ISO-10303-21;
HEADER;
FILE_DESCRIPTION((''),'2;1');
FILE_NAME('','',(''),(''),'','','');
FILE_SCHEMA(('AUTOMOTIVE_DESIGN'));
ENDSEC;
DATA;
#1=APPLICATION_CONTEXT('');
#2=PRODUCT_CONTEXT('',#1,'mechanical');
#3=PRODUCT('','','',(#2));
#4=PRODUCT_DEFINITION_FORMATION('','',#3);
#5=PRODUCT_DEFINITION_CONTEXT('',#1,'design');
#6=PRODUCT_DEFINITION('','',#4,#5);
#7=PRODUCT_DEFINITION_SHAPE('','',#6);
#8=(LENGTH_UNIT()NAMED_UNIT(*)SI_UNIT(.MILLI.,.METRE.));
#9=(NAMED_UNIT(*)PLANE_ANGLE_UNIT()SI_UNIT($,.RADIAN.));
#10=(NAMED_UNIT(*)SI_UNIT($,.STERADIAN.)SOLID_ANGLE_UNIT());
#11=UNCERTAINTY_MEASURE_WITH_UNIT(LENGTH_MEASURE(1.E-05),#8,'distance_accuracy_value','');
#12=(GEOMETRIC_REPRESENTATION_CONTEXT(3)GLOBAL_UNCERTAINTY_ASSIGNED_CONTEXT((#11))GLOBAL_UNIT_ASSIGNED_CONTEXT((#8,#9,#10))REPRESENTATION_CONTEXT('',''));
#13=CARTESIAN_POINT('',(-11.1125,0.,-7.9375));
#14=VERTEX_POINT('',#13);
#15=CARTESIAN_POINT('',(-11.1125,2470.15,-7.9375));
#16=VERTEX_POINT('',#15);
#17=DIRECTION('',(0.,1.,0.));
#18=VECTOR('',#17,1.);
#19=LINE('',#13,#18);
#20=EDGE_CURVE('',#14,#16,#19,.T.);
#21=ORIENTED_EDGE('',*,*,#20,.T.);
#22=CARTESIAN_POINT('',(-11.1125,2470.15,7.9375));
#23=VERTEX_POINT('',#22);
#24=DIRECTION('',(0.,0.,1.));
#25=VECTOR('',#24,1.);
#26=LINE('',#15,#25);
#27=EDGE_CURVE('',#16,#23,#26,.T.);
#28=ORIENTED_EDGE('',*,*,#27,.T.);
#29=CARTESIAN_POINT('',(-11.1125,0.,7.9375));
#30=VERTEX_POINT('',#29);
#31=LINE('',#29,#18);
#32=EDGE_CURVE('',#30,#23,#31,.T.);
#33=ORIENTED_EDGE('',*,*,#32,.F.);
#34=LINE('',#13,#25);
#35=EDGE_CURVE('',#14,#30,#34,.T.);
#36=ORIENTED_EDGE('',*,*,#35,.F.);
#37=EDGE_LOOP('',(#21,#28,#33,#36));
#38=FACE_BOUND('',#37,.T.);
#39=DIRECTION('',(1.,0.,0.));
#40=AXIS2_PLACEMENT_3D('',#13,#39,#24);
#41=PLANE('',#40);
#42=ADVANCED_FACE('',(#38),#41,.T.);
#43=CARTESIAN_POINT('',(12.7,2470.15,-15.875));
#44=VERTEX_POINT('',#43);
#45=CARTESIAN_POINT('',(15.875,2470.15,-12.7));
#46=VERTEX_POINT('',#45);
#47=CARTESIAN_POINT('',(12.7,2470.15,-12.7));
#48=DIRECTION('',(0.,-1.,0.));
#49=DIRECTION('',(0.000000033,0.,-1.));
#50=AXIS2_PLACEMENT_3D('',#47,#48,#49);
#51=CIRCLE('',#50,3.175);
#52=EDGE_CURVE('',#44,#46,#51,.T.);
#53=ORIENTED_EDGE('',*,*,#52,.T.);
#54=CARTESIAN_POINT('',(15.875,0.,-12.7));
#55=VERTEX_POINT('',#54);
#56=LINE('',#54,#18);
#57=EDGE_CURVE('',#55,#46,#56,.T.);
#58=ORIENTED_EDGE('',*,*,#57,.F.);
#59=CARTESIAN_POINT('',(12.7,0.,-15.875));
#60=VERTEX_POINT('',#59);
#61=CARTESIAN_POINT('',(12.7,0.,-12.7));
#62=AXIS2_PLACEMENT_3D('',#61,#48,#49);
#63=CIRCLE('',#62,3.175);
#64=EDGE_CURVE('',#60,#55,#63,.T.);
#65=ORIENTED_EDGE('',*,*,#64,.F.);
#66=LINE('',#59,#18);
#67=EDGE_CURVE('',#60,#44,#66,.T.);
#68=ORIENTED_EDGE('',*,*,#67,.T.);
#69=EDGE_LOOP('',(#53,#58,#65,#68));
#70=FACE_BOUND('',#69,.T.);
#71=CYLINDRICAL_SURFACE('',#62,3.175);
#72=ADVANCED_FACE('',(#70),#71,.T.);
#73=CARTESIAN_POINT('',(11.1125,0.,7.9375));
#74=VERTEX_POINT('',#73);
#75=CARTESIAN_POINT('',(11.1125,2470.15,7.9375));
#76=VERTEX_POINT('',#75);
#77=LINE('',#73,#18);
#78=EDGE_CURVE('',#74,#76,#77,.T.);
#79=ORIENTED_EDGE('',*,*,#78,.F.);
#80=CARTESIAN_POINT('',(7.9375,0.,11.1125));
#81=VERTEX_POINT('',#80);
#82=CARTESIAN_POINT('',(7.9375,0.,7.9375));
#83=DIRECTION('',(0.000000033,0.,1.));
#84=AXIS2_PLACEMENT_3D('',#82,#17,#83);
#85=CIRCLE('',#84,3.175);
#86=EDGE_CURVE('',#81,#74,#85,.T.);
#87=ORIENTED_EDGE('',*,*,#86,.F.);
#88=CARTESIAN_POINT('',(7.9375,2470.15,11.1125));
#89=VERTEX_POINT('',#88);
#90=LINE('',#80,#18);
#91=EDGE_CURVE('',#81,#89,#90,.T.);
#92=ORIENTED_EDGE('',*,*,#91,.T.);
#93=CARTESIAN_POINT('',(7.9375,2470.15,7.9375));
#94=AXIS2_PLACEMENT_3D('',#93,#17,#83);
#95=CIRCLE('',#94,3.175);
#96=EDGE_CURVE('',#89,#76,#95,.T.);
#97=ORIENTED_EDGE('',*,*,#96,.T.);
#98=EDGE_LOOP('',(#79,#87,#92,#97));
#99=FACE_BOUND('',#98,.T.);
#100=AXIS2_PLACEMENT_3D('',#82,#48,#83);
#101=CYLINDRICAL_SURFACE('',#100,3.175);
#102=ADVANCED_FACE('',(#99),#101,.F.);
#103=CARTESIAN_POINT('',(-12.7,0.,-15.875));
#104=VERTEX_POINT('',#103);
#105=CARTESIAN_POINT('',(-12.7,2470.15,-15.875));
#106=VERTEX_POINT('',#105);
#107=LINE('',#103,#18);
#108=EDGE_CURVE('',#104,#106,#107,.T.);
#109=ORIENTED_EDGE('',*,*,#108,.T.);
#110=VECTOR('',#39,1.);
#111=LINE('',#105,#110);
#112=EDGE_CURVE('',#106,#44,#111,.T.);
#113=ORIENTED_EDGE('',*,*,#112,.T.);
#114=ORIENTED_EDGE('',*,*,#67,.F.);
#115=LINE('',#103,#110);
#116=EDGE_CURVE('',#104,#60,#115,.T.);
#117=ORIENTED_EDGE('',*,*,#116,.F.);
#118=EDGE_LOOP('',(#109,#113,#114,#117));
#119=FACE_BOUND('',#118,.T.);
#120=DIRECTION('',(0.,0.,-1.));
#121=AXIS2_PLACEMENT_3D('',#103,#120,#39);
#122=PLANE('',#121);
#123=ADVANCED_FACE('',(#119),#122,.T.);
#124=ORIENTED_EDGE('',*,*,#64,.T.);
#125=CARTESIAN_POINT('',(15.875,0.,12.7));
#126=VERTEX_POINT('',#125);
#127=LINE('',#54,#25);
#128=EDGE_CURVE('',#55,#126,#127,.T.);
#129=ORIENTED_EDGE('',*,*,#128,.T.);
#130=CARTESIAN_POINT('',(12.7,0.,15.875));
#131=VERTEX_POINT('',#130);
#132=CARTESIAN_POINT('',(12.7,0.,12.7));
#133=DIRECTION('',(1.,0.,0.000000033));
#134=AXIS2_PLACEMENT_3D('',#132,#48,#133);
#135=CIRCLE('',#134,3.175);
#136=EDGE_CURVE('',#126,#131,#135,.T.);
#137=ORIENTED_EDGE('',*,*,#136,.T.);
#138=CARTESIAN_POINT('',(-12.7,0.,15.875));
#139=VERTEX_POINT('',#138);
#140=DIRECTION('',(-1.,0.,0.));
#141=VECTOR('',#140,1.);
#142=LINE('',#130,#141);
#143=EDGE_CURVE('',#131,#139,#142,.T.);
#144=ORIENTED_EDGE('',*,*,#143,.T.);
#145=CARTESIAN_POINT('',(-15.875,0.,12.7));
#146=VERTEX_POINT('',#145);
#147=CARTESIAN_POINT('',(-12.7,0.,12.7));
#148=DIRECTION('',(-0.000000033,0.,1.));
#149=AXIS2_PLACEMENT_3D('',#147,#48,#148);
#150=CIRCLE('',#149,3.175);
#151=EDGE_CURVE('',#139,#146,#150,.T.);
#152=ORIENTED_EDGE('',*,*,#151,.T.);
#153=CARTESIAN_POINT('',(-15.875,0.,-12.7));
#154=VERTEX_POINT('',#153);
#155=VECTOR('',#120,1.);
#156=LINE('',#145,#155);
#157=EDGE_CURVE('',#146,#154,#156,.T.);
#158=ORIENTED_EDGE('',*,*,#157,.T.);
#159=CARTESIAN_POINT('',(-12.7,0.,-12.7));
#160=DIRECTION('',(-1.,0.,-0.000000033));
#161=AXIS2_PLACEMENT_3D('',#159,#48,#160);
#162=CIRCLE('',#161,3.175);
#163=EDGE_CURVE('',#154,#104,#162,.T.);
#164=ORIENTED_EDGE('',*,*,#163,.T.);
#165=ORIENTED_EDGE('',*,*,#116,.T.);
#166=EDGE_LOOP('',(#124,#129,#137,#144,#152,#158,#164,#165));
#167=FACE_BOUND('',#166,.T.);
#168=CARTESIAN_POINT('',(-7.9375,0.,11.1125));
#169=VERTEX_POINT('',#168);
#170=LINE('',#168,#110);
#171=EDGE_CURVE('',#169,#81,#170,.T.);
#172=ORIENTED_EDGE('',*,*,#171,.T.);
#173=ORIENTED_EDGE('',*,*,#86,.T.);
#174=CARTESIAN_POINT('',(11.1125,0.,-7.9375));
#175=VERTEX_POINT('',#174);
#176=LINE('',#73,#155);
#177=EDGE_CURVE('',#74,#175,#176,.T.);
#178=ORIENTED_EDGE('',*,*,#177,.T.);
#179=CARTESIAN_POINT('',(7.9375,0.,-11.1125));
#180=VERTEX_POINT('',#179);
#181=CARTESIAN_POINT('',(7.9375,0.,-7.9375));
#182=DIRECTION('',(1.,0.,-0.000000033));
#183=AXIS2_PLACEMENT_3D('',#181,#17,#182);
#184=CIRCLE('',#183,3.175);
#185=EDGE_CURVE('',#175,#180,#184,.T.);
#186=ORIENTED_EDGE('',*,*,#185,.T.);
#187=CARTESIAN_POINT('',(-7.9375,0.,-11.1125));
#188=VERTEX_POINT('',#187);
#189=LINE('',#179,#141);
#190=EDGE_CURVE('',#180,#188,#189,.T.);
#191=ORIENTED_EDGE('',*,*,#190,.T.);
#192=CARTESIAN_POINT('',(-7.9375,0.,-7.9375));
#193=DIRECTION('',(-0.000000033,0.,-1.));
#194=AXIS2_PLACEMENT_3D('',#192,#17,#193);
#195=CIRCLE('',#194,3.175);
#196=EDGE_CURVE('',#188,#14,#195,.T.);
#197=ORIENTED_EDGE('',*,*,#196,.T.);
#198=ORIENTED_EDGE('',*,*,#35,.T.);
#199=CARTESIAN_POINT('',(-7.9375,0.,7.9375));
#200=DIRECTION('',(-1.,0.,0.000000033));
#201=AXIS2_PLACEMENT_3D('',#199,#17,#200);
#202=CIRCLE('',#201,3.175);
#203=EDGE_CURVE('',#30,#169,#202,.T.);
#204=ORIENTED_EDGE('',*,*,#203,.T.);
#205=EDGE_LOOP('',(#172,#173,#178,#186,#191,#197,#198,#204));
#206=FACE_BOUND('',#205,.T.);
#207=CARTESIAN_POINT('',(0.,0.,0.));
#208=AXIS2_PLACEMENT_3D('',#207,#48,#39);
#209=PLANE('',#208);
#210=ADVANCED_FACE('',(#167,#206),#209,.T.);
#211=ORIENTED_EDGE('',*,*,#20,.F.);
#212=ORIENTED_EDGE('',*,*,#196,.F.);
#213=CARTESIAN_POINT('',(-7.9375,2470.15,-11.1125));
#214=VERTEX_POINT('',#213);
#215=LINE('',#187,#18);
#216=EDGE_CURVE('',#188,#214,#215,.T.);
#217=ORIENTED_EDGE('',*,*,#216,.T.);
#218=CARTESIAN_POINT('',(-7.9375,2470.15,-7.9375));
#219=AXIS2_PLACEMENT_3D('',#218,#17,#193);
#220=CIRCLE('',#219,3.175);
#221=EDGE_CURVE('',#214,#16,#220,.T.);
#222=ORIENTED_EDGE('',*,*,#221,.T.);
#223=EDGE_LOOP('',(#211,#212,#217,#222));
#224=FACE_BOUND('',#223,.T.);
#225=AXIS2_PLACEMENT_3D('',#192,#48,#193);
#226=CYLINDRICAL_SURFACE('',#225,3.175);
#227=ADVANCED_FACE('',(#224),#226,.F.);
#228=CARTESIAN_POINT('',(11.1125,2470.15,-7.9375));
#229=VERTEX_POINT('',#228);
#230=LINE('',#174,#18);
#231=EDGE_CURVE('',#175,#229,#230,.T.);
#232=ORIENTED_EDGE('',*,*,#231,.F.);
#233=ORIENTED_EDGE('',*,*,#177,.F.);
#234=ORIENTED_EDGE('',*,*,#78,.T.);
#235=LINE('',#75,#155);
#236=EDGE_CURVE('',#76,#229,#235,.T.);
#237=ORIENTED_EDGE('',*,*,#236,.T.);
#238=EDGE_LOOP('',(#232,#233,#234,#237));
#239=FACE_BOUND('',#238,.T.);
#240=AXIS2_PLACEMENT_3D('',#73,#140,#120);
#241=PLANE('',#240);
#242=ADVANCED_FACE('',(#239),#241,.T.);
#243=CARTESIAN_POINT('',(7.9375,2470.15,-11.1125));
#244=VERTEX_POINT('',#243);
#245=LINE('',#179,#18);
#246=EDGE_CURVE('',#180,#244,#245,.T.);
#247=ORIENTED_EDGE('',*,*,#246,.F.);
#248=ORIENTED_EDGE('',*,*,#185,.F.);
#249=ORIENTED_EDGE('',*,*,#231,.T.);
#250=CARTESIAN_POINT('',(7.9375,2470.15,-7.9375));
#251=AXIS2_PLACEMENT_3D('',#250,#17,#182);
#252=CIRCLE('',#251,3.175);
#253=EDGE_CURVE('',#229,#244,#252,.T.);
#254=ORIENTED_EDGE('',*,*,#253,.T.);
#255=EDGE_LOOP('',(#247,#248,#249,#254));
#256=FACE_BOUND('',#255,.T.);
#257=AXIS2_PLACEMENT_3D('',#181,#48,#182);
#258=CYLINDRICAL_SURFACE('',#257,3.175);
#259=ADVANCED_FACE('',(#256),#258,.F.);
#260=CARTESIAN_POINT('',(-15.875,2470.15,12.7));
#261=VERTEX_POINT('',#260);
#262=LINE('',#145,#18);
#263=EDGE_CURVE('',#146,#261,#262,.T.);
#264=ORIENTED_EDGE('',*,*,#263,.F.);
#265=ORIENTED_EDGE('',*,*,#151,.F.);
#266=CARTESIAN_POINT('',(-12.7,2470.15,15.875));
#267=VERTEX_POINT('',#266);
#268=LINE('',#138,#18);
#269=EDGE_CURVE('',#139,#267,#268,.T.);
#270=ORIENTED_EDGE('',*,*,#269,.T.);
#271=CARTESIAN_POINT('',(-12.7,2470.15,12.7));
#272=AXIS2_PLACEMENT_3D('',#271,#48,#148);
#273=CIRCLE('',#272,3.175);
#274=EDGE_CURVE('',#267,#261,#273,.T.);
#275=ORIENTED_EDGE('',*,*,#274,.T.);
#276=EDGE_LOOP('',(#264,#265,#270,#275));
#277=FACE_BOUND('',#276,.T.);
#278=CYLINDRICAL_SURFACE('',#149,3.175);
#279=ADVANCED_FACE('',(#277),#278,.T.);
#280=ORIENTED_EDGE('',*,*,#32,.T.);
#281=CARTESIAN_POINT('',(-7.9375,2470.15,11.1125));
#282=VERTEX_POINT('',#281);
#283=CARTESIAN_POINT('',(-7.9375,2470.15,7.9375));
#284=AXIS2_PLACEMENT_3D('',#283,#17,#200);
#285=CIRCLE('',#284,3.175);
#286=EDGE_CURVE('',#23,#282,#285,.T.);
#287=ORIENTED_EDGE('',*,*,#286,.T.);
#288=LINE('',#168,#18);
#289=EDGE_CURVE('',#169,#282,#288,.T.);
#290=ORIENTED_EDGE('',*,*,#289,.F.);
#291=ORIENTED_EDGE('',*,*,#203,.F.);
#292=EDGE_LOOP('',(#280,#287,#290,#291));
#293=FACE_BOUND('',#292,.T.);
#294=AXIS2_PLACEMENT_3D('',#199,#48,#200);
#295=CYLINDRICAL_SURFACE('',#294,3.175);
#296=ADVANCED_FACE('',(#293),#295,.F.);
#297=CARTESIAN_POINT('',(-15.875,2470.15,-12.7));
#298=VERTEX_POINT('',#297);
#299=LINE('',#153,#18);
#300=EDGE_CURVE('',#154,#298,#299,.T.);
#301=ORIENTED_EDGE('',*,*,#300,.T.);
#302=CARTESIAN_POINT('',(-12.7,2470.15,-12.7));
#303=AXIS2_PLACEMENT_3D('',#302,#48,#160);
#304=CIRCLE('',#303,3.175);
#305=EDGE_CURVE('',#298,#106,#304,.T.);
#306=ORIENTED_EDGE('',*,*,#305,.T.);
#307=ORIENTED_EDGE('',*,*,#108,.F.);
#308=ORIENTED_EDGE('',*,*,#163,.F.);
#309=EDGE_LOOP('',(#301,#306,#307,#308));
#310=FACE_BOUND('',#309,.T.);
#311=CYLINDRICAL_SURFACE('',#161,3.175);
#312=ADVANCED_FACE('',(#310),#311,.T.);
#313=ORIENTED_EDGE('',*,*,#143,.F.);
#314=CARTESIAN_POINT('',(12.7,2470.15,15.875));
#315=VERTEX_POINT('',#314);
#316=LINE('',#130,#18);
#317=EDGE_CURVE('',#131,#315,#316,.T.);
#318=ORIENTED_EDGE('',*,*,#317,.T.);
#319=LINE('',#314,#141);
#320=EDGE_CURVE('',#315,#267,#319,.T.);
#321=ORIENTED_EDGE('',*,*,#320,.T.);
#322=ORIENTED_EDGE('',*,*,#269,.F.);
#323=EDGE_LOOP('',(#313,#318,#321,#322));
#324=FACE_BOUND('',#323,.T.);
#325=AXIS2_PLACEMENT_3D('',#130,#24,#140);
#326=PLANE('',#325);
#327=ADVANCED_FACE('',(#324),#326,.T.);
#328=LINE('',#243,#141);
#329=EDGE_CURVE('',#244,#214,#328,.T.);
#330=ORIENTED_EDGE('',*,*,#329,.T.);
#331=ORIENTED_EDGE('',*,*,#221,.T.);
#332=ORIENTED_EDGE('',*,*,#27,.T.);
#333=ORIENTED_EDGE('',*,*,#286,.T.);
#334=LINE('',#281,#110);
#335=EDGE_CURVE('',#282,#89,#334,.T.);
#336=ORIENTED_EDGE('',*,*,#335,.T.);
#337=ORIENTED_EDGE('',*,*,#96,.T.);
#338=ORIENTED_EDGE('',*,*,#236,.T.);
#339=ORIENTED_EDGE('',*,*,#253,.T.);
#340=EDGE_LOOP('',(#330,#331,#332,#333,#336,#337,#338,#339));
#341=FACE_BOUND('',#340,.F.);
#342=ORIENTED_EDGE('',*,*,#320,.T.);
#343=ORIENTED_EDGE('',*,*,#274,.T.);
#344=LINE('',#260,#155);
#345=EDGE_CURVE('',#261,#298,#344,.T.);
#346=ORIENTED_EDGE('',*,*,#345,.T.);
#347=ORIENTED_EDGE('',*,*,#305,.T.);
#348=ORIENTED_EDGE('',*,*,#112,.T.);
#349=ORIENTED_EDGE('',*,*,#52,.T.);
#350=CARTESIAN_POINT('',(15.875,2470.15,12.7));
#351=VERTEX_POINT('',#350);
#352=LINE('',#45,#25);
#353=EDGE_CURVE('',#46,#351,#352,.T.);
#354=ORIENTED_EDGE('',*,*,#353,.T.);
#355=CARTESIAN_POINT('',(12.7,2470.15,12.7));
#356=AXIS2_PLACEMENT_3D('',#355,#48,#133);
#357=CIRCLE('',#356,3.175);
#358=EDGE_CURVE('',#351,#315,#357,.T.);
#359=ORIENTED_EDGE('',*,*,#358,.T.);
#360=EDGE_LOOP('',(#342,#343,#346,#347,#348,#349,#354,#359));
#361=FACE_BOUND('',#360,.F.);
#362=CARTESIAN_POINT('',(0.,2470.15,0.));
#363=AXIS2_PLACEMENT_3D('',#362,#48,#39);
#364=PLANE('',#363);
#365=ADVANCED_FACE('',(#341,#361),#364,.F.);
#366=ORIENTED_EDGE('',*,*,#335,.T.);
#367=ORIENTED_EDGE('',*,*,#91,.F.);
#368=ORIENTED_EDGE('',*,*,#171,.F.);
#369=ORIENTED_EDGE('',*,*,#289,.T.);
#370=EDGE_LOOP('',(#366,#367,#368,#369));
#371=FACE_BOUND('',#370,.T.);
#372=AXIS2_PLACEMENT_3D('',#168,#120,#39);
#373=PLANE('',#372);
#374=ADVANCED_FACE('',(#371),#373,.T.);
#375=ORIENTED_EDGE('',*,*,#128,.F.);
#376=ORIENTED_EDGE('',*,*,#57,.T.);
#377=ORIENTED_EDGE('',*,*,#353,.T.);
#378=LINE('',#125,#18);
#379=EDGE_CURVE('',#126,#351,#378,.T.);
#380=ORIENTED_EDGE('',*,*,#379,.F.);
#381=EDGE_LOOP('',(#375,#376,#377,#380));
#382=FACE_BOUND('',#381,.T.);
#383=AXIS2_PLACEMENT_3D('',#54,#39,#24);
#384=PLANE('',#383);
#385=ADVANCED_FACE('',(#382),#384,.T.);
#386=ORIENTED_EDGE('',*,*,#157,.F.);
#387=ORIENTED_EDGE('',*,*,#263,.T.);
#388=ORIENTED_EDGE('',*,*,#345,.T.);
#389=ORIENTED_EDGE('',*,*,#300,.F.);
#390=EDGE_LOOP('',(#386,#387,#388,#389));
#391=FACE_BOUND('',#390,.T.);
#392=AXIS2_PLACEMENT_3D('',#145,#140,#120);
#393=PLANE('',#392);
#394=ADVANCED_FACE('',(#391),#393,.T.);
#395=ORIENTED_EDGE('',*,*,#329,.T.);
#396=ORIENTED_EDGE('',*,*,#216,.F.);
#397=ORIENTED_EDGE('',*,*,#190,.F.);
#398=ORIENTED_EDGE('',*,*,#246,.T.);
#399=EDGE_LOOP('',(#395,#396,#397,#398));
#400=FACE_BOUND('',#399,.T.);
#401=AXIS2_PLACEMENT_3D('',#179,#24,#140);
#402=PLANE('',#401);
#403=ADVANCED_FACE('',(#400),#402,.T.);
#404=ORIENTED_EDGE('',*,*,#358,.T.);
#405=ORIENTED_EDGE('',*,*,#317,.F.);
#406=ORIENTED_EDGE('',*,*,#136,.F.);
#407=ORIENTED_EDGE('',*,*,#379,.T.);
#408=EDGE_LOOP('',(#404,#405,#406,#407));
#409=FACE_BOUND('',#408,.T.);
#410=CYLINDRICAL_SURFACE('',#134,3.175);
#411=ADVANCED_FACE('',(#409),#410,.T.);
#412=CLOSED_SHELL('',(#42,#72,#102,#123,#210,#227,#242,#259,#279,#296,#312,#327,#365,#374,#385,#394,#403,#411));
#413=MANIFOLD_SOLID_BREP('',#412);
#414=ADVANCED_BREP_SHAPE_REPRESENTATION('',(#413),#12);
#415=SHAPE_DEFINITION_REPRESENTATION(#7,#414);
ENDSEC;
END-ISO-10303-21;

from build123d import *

# Parameters (mm, degrees)
F1_DEPTH = 2470.15


with BuildPart() as f1:
    # F0 (on Front) → F1 (new body)
    with BuildSketch(Plane.XZ):
        with BuildLine():
            ThreePointArc((15.875, 12.7), (14.945064, 14.945064), (12.7, 15.875))
            Line((12.7, 15.875), (-12.7, 15.875))
            ThreePointArc((-12.7, 15.875), (-14.945064, 14.945064), (-15.875, 12.7))
            Line((-15.875, 12.7), (-15.875, -12.7))
            ThreePointArc((-15.875, -12.7), (-14.945064, -14.945064), (-12.7, -15.875))
            Line((-12.7, -15.875), (12.7, -15.875))
            ThreePointArc((12.7, -15.875), (14.945064, -14.945064), (15.875, -12.7))
            Line((15.875, -12.7), (15.875, 12.7))
        make_face()
        with BuildLine():
            Line((-7.9375, 11.1125), (7.9375, 11.1125))
            ThreePointArc((7.9375, 11.1125), (10.182564, 10.182564), (11.1125, 7.9375))
            Line((11.1125, 7.9375), (11.1125, -7.9375))
            ThreePointArc((11.1125, -7.9375), (10.182564, -10.182564), (7.9375, -11.1125))
            Line((7.9375, -11.1125), (-7.9375, -11.1125))
            ThreePointArc((-7.9375, -11.1125), (-10.182564, -10.182564), (-11.1125, -7.9375))
            Line((-11.1125, -7.9375), (-11.1125, 7.9375))
            ThreePointArc((-11.1125, 7.9375), (-10.182564, 10.182564), (-7.9375, 11.1125))
        make_face(mode=Mode.SUBTRACT)
    extrude(amount=-F1_DEPTH)


solid = f1.part
